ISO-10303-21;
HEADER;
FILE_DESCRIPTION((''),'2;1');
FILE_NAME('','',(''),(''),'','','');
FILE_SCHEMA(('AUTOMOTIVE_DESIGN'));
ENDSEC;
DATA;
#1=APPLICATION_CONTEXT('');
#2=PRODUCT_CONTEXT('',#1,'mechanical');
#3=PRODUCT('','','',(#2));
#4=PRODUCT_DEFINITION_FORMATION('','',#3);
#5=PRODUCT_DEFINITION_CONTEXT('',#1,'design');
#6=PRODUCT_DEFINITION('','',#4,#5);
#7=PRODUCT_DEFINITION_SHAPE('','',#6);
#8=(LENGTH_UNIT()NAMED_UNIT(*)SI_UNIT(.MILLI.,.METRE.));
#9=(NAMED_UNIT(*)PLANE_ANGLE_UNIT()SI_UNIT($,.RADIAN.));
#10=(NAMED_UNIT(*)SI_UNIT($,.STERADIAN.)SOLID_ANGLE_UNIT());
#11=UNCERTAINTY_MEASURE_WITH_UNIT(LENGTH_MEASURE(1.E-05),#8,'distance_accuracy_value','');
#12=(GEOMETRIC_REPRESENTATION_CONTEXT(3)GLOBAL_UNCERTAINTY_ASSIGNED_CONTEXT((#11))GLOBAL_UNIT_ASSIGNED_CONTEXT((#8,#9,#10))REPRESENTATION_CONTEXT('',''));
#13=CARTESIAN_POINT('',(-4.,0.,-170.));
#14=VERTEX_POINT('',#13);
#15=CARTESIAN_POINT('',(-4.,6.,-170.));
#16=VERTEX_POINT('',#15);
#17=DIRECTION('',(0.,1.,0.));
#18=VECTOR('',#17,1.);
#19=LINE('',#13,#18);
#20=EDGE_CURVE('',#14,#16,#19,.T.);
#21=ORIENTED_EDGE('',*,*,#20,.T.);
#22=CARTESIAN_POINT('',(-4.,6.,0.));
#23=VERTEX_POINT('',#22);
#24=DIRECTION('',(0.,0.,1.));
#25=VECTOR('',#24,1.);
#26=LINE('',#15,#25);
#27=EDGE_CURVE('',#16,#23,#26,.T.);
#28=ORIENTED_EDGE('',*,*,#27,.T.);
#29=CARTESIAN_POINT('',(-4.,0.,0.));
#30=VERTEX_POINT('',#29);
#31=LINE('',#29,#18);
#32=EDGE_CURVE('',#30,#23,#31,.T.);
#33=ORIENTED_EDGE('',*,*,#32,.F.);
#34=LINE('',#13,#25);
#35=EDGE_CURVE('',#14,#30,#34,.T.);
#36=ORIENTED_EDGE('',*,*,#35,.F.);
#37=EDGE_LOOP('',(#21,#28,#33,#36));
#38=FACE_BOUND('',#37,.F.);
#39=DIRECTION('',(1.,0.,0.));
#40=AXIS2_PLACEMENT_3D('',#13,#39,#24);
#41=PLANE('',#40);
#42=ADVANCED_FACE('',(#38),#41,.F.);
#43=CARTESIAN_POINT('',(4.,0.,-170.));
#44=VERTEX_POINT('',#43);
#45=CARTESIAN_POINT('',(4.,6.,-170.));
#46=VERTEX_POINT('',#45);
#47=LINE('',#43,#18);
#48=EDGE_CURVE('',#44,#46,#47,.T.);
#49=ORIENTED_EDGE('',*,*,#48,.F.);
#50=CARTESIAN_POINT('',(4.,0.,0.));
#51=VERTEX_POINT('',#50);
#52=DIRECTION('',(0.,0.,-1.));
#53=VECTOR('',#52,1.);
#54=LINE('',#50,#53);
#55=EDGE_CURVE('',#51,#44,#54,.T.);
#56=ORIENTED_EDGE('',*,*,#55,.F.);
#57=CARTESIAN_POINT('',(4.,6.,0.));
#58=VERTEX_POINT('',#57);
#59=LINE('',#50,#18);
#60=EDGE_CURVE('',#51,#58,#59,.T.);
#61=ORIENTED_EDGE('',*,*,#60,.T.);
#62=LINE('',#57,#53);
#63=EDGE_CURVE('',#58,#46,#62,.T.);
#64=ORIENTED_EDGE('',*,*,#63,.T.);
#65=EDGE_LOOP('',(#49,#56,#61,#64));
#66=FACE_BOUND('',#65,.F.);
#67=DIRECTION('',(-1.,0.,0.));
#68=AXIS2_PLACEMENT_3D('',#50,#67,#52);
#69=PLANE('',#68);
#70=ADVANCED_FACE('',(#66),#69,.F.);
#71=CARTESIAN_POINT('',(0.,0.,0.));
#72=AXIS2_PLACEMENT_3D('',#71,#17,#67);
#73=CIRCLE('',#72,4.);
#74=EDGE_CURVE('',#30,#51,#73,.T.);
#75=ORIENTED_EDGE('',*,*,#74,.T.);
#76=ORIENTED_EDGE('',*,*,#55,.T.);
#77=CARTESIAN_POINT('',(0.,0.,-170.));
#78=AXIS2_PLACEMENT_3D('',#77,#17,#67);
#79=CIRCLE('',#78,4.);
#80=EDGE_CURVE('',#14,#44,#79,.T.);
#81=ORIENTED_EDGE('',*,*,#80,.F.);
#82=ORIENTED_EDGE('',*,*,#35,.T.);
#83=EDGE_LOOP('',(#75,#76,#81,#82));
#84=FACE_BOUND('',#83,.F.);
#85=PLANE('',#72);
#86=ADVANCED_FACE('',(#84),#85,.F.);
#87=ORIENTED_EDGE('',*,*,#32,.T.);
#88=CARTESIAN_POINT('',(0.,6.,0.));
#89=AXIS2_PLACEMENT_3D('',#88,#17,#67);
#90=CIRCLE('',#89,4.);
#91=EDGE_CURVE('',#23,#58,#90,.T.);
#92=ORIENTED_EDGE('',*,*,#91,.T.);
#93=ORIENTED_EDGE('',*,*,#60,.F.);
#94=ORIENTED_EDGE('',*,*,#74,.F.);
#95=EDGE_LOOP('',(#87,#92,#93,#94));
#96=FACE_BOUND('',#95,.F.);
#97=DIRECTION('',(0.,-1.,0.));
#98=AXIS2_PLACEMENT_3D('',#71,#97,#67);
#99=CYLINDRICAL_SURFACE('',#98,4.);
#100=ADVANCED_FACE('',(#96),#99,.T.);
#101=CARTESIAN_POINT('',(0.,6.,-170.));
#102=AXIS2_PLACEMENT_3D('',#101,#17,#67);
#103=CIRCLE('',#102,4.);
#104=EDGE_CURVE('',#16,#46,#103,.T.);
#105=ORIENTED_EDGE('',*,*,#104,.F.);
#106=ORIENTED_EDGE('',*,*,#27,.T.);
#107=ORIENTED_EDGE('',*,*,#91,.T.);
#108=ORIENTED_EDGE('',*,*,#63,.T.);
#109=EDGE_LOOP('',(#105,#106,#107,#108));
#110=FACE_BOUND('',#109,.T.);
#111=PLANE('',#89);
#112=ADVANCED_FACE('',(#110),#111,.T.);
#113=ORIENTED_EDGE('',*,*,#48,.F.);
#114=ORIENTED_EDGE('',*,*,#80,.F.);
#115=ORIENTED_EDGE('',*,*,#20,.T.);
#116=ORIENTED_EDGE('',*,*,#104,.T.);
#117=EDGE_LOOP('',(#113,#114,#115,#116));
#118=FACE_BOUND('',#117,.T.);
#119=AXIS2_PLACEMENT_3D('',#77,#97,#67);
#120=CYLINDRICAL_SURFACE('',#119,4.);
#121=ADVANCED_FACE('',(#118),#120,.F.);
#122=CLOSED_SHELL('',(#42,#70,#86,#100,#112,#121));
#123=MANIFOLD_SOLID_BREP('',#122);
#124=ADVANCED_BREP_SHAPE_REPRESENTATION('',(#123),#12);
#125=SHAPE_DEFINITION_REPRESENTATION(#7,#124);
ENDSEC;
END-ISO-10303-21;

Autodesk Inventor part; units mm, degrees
ref_plane "YZ Plane" through (0, 0, 0) normal (1, 0, 0) x (0, 1, 0)
ref_plane "XZ Plane" through (0, 0, 0) normal (0, 1, 0) x (-1, 0, 0)
ref_plane "XY Plane" through (0, 0, 0) normal (0, 0, 1) x (1, 0, 0)
sketch "Sketch1" plane through (0, 0, 0) normal (0, 1, 0) x (-1, 0, 0)
  line L0 (0, 0) -> (0, -170) construction
  line L1 (-4, 0) -> (-4, -170)
  line L2 (4, -170) -> (4, 0)
  arc A0 (4, 0) -> (-4, 0) centre (0, 0) ccw
  arc A1 (-4, -170) -> (4, -170) centre (0, -170) ccw
  circle A2 centre (0, -170) radius 4
  point P0 (0, -85)
  point P1 (4, -170)
  dimension "d0" = 170
  dimension "d1" = 8
extrude "Extrusion1" add sketch "Sketch1" along normal blind 6 contours A0 L2 A2 L1
properties part number "Extension_1"
